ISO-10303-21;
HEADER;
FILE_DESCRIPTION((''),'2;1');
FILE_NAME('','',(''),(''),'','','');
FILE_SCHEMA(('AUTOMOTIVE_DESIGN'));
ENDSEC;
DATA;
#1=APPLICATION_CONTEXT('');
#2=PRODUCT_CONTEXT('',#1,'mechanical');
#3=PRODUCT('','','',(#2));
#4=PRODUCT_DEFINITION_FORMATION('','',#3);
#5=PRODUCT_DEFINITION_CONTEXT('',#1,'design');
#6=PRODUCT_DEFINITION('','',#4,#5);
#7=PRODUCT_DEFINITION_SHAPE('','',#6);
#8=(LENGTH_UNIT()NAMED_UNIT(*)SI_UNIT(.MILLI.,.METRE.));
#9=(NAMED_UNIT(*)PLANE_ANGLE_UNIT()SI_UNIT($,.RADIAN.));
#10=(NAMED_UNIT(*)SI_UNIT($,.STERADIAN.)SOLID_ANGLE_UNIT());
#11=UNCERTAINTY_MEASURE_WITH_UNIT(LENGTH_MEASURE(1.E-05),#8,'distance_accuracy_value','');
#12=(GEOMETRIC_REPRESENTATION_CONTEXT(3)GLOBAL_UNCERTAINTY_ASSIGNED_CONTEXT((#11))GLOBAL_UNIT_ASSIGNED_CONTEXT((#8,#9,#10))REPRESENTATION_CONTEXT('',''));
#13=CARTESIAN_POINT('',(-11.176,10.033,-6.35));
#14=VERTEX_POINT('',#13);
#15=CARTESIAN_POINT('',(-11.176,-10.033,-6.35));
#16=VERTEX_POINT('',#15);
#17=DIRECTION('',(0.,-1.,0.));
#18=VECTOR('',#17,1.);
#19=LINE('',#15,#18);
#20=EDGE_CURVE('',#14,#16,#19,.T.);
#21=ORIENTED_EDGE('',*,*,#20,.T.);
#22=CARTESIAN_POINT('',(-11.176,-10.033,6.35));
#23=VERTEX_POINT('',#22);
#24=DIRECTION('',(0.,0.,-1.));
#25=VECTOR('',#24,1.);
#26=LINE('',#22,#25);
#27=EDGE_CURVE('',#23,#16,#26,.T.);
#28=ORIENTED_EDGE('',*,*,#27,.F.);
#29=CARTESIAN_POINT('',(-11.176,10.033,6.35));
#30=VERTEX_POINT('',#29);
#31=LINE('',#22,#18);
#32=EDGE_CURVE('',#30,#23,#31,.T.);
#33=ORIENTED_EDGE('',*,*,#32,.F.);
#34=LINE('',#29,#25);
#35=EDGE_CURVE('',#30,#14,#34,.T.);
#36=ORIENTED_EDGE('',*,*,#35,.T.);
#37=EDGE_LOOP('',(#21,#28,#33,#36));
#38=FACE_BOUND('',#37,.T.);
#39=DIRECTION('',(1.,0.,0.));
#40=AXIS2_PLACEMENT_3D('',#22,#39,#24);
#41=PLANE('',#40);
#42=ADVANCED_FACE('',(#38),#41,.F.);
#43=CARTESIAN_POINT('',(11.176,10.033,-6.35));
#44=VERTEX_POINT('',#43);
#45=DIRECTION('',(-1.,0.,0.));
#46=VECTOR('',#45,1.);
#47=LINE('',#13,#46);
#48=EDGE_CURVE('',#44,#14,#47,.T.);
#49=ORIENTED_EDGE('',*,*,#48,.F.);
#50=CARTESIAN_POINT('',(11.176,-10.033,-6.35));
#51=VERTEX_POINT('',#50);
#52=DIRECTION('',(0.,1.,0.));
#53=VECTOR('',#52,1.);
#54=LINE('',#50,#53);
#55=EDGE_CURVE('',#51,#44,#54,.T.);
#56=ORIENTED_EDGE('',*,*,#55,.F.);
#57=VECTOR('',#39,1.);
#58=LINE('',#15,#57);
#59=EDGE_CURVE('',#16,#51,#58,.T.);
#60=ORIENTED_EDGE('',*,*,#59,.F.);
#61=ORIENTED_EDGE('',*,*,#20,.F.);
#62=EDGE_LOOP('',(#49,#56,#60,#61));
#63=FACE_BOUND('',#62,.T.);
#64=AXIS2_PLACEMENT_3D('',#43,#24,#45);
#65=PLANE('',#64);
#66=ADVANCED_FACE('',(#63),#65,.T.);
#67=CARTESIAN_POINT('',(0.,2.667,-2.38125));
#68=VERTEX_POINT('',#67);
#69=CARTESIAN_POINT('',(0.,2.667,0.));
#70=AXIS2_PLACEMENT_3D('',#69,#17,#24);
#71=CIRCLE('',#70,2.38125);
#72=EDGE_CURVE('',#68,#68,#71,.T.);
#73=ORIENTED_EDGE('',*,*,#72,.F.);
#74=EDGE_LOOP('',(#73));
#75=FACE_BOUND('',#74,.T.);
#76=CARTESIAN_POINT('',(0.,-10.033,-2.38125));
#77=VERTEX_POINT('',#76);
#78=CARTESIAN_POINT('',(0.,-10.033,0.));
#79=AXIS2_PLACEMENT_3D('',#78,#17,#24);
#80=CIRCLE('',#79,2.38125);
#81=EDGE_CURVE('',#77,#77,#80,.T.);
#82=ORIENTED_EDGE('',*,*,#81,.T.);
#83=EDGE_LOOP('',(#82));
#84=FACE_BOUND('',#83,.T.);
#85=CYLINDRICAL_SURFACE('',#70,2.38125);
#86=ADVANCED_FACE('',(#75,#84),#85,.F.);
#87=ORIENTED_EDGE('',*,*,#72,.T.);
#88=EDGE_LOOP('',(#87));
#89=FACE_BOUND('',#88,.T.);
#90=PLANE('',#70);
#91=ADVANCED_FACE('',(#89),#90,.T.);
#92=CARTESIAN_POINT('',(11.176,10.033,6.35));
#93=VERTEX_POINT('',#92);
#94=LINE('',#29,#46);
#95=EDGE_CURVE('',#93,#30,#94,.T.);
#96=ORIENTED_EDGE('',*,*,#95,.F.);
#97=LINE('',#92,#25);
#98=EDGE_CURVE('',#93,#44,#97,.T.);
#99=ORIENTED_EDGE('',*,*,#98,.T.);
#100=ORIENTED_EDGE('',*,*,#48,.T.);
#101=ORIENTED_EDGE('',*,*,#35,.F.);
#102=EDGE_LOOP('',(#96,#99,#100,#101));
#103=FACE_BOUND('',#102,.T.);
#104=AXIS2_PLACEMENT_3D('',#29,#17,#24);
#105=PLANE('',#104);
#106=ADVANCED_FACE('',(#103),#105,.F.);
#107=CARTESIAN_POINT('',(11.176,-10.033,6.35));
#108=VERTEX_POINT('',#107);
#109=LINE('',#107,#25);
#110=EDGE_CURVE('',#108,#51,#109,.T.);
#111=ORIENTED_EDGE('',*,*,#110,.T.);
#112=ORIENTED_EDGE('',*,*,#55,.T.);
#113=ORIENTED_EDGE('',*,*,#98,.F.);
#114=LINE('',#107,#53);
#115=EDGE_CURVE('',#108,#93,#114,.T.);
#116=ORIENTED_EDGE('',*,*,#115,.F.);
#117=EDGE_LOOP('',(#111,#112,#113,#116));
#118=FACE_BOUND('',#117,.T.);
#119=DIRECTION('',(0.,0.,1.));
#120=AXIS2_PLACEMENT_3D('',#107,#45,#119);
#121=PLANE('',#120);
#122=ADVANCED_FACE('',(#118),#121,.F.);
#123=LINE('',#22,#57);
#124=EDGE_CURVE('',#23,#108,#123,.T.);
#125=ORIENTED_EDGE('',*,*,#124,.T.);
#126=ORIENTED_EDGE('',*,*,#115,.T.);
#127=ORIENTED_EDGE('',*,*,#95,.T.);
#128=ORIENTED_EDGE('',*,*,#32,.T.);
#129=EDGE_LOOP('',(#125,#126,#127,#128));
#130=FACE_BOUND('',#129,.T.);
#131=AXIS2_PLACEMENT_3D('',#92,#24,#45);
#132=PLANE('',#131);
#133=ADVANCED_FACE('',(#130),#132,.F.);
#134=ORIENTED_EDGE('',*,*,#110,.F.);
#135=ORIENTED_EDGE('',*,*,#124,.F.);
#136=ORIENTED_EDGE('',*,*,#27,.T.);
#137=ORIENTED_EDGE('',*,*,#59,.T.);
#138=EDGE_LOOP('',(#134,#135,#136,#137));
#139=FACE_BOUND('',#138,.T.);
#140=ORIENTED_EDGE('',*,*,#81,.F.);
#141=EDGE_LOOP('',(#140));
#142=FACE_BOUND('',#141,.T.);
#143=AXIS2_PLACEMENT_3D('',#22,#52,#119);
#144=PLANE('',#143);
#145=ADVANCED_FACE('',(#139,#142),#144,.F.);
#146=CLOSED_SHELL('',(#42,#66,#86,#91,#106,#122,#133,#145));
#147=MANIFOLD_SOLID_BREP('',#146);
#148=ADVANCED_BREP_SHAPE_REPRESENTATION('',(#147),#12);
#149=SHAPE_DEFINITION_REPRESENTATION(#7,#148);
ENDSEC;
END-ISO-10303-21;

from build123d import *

# Parameters (mm, degrees)
SKETCH1_W      = 22.352
SKETCH1_H      = 20.066
EXTRUDE1_DEPTH = 6.35
SKETCH2_R      = 2.38125
EXTRUDE2_DEPTH = 12.7


with BuildPart() as part:
    # Sketch1 → Extrude1 (new body, symmetric)
    with BuildSketch(Plane.XY):
        Rectangle(SKETCH1_W, SKETCH1_H)
    extrude(amount=EXTRUDE1_DEPTH, both=True)

    # Sketch2 → Extrude2 (cut)
    with BuildSketch(Plane.XZ.offset(10.033)):
        with Locations(Location((0, 0, 0), (0, 0, 270))):  # turned: the seam where the file's is
            Circle(SKETCH2_R)
    extrude(amount=-EXTRUDE2_DEPTH, mode=Mode.SUBTRACT)


solid = part.part
